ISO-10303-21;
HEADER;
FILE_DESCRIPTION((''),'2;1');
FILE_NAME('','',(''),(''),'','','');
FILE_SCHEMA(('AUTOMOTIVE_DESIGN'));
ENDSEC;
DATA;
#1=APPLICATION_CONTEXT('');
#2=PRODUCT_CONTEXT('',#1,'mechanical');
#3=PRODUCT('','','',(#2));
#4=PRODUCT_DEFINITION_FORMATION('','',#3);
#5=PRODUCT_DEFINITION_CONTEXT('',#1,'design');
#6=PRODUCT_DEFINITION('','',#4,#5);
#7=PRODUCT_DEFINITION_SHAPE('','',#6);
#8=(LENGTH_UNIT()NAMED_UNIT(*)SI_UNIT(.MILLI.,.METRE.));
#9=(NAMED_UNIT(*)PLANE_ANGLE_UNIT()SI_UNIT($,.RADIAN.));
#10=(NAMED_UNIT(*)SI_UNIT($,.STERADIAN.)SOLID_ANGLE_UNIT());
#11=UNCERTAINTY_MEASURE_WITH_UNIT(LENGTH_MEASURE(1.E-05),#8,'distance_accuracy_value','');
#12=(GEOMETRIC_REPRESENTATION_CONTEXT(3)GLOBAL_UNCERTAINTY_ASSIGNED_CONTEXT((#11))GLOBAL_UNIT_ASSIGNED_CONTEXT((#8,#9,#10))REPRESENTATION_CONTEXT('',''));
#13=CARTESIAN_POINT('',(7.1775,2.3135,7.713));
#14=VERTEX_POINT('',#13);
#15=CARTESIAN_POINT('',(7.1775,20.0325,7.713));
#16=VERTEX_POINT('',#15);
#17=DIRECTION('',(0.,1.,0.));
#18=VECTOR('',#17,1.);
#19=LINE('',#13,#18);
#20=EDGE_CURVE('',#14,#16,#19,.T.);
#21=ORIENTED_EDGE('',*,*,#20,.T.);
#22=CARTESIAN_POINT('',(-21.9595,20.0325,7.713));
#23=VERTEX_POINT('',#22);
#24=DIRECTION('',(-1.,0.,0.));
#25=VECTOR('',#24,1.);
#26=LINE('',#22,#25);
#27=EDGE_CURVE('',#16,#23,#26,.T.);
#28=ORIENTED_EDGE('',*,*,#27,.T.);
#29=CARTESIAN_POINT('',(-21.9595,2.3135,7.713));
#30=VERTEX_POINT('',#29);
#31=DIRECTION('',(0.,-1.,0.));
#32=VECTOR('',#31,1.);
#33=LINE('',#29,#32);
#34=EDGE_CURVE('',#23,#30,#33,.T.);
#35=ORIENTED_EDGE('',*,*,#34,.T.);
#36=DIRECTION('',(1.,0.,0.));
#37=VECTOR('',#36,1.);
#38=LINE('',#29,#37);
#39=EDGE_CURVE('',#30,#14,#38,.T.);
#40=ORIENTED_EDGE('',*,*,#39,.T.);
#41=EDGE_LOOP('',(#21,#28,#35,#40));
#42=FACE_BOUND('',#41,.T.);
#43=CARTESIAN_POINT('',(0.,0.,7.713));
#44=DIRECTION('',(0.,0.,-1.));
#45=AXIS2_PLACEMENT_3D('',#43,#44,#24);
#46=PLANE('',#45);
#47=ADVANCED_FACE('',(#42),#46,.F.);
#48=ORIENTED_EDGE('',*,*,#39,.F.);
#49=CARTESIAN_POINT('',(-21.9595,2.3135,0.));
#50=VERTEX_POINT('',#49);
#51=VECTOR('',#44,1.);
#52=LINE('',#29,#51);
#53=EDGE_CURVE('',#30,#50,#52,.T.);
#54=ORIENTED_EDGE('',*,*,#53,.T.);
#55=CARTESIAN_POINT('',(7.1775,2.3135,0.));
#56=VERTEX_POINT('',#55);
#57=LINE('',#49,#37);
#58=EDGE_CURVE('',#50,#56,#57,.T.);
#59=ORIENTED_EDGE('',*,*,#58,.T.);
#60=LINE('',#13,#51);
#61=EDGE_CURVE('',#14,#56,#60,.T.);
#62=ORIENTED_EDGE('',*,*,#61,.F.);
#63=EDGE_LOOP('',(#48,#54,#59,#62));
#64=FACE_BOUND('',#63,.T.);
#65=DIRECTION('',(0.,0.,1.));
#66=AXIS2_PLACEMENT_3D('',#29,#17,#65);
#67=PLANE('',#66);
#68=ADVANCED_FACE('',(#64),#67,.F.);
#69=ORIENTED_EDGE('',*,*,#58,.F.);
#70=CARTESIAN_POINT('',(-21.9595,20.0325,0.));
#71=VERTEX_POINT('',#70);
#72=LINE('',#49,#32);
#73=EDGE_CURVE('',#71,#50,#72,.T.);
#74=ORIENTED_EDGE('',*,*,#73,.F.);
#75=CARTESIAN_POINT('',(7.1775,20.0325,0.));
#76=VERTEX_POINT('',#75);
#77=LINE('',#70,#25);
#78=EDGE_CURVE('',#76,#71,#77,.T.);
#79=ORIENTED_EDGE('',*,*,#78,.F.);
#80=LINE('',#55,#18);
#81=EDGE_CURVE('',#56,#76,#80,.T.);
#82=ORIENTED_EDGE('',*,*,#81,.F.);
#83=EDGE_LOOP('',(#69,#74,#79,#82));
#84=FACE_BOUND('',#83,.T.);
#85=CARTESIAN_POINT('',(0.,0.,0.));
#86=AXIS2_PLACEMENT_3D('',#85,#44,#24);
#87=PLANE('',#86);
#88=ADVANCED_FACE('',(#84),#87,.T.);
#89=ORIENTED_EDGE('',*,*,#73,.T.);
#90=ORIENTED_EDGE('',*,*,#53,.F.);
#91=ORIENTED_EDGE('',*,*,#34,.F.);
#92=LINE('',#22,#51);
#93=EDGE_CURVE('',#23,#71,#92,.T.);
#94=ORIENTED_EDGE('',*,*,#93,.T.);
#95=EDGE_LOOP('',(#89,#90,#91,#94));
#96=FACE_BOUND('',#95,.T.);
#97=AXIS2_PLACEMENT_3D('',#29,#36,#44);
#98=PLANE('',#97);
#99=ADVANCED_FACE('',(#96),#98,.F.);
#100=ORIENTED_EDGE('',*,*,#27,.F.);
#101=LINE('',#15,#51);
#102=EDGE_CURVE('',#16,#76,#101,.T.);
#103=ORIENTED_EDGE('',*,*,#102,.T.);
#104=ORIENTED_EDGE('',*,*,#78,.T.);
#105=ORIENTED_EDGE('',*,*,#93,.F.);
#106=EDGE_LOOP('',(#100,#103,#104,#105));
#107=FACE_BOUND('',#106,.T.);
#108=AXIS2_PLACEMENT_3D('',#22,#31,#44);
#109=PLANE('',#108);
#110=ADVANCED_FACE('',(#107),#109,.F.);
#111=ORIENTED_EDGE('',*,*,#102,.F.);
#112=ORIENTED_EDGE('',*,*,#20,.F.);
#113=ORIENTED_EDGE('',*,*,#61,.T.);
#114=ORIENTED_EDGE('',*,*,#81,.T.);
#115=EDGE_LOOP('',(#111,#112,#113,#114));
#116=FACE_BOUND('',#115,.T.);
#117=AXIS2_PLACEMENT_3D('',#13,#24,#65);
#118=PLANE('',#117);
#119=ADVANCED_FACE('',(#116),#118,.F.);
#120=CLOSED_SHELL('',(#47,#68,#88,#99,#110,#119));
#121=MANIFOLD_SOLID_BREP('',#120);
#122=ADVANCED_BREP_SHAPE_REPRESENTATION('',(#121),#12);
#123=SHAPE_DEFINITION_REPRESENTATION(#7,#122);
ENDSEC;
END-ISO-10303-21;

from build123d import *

# Parameters (mm, degrees)
CURVESKETCH_W   = 29.137
CURVESKETCH_H   = 17.719
CURVEBOSS_DEPTH = 7.713


with BuildPart() as part:
    # CurveSketch → CurveBoss (new body)
    with BuildSketch(Plane.XY):
        with Locations((-7.391, 11.173)):
            Rectangle(CURVESKETCH_W, CURVESKETCH_H)
    extrude(amount=CURVEBOSS_DEPTH)


solid = part.part
